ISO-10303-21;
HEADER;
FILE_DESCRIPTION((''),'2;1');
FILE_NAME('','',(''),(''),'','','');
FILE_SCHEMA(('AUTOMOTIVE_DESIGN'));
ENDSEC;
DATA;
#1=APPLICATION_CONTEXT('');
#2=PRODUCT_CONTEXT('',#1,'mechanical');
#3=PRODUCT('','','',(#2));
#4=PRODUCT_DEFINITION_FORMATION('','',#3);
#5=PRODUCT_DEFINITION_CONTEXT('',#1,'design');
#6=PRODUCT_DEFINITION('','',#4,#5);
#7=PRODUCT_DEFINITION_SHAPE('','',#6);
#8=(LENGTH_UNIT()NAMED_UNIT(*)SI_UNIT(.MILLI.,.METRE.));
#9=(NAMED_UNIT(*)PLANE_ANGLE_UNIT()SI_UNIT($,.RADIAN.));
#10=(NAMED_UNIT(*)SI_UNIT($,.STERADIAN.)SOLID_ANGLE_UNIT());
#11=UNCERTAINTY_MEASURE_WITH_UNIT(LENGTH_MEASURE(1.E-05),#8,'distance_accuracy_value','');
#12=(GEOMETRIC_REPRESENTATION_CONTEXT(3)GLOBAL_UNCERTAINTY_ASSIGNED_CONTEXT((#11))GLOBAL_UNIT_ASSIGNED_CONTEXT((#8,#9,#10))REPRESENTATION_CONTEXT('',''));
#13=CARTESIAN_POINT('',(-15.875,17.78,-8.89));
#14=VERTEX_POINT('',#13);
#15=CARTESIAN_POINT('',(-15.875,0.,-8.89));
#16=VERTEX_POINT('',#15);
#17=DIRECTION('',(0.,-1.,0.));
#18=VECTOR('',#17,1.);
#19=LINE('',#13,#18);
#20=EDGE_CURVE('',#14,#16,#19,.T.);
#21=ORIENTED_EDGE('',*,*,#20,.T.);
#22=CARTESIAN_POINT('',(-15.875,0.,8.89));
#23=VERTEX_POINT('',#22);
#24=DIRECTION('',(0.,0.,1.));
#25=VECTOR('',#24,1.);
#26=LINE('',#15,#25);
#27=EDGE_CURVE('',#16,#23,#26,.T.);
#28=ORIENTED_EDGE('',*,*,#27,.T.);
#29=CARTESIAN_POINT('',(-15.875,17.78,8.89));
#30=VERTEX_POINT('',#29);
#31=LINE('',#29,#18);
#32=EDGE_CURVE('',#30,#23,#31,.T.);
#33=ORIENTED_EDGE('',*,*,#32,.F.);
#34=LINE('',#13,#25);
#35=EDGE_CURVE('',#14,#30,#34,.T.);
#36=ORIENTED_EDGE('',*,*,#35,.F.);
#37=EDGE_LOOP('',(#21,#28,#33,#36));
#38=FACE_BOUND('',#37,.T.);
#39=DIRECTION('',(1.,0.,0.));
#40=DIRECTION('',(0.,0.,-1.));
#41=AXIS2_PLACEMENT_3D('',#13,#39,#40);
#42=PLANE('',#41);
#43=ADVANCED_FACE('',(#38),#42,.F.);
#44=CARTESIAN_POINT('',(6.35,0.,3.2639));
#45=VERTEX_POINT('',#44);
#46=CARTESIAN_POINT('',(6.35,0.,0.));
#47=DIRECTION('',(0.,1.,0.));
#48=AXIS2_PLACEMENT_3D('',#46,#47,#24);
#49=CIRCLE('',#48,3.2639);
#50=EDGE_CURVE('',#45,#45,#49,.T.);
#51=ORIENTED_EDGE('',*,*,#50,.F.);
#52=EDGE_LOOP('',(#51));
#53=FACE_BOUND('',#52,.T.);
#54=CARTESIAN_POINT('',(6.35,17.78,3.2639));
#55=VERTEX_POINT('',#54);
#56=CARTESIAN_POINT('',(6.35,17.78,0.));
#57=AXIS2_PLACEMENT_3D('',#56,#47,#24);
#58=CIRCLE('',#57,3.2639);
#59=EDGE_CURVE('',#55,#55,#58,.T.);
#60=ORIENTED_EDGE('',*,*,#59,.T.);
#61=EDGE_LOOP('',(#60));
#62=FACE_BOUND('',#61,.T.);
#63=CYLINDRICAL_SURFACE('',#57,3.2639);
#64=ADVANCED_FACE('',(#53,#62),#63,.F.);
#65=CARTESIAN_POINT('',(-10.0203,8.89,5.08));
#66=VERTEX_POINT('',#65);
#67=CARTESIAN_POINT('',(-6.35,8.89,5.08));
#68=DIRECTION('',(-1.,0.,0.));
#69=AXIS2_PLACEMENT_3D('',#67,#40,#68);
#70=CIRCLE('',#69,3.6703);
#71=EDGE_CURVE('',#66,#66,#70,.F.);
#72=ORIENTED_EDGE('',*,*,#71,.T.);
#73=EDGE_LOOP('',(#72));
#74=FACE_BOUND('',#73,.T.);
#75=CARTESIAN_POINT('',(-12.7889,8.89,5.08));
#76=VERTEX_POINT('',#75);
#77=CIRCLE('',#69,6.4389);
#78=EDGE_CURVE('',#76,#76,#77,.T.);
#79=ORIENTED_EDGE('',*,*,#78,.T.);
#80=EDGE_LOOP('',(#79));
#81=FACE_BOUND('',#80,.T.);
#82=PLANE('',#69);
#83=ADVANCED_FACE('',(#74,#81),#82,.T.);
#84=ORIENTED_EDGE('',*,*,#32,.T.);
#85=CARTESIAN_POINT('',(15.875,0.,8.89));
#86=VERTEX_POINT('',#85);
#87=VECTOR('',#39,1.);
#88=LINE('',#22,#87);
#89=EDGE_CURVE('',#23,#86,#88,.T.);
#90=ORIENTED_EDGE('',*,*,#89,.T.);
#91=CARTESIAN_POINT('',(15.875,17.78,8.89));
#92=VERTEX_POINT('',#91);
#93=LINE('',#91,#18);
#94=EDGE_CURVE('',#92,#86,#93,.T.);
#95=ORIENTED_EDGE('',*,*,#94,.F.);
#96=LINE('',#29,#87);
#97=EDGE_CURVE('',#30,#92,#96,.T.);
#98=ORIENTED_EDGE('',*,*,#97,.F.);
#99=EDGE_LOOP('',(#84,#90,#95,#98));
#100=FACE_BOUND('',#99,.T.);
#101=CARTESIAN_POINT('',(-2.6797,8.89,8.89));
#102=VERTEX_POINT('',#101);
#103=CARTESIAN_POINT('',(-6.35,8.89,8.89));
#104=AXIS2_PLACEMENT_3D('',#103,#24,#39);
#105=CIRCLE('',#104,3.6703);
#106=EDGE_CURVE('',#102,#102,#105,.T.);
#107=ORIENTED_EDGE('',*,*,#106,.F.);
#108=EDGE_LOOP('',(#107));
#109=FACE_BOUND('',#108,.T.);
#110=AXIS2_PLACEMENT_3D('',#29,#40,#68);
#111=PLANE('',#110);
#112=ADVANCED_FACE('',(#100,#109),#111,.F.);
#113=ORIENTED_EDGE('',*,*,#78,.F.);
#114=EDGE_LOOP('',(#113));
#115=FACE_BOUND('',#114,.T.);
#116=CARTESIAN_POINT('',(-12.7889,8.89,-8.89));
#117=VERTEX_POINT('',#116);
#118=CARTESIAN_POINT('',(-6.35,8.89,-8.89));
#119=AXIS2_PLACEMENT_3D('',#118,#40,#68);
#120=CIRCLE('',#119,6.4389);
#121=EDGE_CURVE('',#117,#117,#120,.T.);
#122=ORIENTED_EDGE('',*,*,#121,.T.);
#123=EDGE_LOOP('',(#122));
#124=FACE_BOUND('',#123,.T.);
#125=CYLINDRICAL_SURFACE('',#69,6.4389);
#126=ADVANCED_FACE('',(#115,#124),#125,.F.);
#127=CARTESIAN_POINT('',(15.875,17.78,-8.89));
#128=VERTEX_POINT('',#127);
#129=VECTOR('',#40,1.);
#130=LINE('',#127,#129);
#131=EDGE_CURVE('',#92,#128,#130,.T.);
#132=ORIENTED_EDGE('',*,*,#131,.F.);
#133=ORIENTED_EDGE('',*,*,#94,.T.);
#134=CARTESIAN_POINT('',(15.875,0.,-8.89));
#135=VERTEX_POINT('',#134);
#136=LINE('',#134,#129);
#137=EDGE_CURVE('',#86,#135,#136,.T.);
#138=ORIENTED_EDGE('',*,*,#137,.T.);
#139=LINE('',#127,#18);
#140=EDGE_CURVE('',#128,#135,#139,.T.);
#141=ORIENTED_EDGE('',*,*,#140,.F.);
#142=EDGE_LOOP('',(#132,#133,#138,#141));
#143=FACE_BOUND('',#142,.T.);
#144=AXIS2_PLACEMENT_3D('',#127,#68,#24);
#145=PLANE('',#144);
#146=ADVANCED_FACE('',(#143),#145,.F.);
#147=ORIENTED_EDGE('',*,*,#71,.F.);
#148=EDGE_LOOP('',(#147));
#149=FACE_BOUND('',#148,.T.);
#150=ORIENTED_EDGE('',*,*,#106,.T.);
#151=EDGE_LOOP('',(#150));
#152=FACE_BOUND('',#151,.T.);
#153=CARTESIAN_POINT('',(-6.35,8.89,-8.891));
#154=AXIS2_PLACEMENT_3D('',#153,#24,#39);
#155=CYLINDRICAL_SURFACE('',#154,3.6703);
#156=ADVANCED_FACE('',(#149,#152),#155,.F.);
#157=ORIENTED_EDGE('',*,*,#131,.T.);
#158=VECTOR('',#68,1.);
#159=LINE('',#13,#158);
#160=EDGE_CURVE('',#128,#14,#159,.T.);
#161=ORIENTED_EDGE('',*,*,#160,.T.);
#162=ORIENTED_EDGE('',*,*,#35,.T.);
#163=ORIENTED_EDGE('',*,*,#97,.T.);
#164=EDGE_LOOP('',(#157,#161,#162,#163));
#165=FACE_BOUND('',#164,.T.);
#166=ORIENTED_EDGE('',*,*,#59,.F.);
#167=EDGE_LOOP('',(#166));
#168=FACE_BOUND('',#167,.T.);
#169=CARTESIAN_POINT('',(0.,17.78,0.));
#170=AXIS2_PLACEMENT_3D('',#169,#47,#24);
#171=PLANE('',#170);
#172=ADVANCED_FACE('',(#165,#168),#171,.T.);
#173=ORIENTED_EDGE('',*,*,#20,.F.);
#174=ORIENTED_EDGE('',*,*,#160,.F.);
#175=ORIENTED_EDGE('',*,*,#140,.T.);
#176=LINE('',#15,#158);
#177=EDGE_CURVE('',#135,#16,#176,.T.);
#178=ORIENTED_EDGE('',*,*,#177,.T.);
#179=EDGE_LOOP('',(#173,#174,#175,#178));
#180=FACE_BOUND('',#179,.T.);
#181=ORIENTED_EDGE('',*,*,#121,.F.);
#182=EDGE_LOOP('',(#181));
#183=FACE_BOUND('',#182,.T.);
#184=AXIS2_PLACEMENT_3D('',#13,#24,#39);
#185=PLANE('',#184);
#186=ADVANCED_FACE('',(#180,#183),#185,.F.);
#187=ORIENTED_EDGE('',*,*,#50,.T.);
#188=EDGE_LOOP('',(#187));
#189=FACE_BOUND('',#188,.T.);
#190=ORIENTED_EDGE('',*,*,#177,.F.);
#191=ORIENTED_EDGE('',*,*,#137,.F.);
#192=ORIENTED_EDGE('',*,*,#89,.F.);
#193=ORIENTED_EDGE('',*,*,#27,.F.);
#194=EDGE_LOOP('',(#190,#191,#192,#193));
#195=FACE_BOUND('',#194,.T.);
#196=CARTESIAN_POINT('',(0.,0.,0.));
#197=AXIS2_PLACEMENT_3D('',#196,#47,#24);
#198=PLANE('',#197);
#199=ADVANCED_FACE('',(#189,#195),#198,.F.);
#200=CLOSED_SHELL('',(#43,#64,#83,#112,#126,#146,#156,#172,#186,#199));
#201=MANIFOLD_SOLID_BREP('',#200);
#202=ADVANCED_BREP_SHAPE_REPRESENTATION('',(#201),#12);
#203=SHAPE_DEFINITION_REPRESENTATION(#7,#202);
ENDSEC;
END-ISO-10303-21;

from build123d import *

# Parameters (mm, degrees)
SKETCH1_W               = 31.75
SKETCH1_H               = 17.78
BOSS_EXTRUDE1_DEPTH     = 17.78
SKETCH3_R               = 6.4389
CUT_EXTRUDE1_DEPTH      = 13.97
CUT_EXTRUDE2_REACH      = 31.737
SKETCH2_R               = 3.6703
F_1_4_CLEARANCE_HOLE1_D = 6.5278


with BuildPart() as part:
    # Sketch1 → Boss-Extrude1 (new body)
    with BuildSketch(Plane(origin=(0, 0, 0), x_dir=(1, 0, 0), z_dir=(0, 1, 0))):
        Rectangle(SKETCH1_W, SKETCH1_H)
    extrude(amount=BOSS_EXTRUDE1_DEPTH)

    # Sketch3 → Cut-Extrude1 (cut)
    with BuildSketch(Plane(origin=(0, 0, -8.89), x_dir=(-1, 0, 0), z_dir=(0, 0, -1))):
        with Locations((6.35, 8.89)):
            Circle(SKETCH3_R)
    extrude(amount=-CUT_EXTRUDE1_DEPTH, mode=Mode.SUBTRACT)

    # Sketch2 → Cut-Extrude2 (cut, up to next)
    with BuildSketch(Plane.XY.offset(8.89), mode=Mode.PRIVATE) as cut_extrude2_sk1:
        with Locations((-6.35, 8.89)):
            Circle(SKETCH2_R)
    cut_extrude2_tool1 = extrude(cut_extrude2_sk1.sketch, amount=-CUT_EXTRUDE2_REACH, mode=Mode.PRIVATE) & part.part
    add(cut_extrude2_tool1.solids().sort_by_distance((-6.35, 8.89, 8.89))[0], mode=Mode.SUBTRACT)

    # 1/4 Clearance Hole1 (through all)
    with Locations(Plane(origin=(0, 17.78, 0), x_dir=(1, 0, 0), z_dir=(0, 1, 0))):
        with Locations((6.35, 0)):
            Hole(F_1_4_CLEARANCE_HOLE1_D / 2)


solid = part.part
